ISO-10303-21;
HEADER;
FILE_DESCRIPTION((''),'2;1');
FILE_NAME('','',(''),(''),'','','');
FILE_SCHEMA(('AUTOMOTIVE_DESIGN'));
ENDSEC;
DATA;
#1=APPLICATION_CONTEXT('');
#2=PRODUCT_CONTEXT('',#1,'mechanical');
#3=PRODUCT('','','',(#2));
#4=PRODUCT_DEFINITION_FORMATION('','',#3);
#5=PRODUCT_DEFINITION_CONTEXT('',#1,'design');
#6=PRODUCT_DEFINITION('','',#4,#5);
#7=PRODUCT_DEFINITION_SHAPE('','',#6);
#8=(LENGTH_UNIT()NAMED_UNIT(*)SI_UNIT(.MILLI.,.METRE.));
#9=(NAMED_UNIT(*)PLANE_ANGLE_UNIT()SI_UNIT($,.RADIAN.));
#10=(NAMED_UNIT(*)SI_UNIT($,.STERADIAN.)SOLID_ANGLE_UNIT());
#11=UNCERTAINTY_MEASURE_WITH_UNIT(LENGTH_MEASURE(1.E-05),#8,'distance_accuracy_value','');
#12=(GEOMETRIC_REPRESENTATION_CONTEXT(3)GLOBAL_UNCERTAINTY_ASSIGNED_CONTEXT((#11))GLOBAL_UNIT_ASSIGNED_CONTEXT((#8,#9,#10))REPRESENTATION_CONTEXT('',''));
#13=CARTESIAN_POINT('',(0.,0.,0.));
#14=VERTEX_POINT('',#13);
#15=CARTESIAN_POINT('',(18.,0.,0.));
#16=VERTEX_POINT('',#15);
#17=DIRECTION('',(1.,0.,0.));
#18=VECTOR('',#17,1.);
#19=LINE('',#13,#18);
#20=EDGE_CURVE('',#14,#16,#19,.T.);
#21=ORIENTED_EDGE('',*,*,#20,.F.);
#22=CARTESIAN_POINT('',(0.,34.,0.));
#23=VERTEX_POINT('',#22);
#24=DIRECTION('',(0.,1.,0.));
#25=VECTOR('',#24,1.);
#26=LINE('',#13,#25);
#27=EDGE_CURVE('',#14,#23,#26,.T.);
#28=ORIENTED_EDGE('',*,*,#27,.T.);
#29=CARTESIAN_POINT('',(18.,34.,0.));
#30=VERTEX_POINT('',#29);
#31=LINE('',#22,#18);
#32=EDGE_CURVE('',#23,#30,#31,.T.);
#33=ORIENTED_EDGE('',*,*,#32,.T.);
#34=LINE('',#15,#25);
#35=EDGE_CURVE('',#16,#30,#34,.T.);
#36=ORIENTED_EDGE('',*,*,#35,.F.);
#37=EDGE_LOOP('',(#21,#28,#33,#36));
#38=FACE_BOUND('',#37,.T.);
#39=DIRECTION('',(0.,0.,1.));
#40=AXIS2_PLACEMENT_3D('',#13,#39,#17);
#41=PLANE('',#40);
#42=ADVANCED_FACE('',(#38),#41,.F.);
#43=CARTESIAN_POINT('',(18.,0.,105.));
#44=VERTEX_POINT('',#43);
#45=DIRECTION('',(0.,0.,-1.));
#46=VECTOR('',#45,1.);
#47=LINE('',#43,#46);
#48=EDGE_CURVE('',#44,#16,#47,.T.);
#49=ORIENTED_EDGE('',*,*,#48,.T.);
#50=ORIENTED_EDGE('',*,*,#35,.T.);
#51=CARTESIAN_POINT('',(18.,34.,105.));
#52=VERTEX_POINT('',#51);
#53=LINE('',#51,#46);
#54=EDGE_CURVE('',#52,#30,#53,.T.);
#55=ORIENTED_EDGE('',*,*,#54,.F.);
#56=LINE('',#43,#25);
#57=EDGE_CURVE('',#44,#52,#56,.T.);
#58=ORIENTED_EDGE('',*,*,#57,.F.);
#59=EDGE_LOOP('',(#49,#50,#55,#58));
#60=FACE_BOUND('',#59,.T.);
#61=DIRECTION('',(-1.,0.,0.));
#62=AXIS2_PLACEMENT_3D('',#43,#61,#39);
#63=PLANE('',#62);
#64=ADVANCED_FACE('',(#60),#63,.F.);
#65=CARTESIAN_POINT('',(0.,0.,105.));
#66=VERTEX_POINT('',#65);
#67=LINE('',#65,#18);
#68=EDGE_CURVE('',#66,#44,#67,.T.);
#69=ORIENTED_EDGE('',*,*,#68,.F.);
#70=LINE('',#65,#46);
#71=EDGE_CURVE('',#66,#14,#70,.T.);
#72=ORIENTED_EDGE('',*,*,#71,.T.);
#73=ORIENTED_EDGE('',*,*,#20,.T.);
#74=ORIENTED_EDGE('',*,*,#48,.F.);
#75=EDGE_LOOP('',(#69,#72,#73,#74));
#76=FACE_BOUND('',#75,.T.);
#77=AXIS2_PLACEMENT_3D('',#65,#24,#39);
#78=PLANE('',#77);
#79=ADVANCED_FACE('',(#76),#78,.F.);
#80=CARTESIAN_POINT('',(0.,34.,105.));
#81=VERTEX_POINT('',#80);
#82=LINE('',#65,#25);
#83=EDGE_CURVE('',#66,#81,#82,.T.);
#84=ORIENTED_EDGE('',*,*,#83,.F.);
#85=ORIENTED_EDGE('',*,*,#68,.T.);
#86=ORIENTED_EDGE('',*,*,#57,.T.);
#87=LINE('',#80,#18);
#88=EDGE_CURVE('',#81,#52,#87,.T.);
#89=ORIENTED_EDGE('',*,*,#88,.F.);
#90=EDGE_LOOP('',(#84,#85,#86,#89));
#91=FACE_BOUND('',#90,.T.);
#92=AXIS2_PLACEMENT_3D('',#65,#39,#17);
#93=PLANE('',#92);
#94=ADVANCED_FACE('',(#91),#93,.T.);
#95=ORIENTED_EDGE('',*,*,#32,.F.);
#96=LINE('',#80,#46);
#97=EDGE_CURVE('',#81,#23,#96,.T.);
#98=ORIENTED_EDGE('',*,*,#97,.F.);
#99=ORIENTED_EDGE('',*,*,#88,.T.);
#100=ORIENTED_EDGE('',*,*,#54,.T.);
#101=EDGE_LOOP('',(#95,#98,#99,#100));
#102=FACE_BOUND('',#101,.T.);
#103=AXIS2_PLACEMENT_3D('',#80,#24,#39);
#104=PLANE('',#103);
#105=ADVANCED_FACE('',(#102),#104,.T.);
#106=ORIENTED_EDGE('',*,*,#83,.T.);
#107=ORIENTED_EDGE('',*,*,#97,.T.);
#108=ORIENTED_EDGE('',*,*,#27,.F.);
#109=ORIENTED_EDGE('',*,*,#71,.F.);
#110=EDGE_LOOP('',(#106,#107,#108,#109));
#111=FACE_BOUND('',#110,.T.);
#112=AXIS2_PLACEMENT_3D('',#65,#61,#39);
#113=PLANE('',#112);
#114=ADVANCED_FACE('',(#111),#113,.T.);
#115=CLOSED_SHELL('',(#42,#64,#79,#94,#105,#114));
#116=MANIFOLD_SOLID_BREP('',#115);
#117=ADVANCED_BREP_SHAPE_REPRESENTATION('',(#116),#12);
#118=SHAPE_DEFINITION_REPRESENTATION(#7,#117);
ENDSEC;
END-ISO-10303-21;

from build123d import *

# Parameters (mm, degrees)
ESQUISSE1_W        = 18
ESQUISSE1_H        = 34
BOSS_EXTRU_1_DEPTH = 105


with BuildPart() as part:
    # Esquisse1 → Boss.-Extru.1 (new body)
    with BuildSketch(Plane.XY):
        with Locations((9, 17)):
            Rectangle(ESQUISSE1_W, ESQUISSE1_H)
    extrude(amount=BOSS_EXTRU_1_DEPTH)


solid = part.part
